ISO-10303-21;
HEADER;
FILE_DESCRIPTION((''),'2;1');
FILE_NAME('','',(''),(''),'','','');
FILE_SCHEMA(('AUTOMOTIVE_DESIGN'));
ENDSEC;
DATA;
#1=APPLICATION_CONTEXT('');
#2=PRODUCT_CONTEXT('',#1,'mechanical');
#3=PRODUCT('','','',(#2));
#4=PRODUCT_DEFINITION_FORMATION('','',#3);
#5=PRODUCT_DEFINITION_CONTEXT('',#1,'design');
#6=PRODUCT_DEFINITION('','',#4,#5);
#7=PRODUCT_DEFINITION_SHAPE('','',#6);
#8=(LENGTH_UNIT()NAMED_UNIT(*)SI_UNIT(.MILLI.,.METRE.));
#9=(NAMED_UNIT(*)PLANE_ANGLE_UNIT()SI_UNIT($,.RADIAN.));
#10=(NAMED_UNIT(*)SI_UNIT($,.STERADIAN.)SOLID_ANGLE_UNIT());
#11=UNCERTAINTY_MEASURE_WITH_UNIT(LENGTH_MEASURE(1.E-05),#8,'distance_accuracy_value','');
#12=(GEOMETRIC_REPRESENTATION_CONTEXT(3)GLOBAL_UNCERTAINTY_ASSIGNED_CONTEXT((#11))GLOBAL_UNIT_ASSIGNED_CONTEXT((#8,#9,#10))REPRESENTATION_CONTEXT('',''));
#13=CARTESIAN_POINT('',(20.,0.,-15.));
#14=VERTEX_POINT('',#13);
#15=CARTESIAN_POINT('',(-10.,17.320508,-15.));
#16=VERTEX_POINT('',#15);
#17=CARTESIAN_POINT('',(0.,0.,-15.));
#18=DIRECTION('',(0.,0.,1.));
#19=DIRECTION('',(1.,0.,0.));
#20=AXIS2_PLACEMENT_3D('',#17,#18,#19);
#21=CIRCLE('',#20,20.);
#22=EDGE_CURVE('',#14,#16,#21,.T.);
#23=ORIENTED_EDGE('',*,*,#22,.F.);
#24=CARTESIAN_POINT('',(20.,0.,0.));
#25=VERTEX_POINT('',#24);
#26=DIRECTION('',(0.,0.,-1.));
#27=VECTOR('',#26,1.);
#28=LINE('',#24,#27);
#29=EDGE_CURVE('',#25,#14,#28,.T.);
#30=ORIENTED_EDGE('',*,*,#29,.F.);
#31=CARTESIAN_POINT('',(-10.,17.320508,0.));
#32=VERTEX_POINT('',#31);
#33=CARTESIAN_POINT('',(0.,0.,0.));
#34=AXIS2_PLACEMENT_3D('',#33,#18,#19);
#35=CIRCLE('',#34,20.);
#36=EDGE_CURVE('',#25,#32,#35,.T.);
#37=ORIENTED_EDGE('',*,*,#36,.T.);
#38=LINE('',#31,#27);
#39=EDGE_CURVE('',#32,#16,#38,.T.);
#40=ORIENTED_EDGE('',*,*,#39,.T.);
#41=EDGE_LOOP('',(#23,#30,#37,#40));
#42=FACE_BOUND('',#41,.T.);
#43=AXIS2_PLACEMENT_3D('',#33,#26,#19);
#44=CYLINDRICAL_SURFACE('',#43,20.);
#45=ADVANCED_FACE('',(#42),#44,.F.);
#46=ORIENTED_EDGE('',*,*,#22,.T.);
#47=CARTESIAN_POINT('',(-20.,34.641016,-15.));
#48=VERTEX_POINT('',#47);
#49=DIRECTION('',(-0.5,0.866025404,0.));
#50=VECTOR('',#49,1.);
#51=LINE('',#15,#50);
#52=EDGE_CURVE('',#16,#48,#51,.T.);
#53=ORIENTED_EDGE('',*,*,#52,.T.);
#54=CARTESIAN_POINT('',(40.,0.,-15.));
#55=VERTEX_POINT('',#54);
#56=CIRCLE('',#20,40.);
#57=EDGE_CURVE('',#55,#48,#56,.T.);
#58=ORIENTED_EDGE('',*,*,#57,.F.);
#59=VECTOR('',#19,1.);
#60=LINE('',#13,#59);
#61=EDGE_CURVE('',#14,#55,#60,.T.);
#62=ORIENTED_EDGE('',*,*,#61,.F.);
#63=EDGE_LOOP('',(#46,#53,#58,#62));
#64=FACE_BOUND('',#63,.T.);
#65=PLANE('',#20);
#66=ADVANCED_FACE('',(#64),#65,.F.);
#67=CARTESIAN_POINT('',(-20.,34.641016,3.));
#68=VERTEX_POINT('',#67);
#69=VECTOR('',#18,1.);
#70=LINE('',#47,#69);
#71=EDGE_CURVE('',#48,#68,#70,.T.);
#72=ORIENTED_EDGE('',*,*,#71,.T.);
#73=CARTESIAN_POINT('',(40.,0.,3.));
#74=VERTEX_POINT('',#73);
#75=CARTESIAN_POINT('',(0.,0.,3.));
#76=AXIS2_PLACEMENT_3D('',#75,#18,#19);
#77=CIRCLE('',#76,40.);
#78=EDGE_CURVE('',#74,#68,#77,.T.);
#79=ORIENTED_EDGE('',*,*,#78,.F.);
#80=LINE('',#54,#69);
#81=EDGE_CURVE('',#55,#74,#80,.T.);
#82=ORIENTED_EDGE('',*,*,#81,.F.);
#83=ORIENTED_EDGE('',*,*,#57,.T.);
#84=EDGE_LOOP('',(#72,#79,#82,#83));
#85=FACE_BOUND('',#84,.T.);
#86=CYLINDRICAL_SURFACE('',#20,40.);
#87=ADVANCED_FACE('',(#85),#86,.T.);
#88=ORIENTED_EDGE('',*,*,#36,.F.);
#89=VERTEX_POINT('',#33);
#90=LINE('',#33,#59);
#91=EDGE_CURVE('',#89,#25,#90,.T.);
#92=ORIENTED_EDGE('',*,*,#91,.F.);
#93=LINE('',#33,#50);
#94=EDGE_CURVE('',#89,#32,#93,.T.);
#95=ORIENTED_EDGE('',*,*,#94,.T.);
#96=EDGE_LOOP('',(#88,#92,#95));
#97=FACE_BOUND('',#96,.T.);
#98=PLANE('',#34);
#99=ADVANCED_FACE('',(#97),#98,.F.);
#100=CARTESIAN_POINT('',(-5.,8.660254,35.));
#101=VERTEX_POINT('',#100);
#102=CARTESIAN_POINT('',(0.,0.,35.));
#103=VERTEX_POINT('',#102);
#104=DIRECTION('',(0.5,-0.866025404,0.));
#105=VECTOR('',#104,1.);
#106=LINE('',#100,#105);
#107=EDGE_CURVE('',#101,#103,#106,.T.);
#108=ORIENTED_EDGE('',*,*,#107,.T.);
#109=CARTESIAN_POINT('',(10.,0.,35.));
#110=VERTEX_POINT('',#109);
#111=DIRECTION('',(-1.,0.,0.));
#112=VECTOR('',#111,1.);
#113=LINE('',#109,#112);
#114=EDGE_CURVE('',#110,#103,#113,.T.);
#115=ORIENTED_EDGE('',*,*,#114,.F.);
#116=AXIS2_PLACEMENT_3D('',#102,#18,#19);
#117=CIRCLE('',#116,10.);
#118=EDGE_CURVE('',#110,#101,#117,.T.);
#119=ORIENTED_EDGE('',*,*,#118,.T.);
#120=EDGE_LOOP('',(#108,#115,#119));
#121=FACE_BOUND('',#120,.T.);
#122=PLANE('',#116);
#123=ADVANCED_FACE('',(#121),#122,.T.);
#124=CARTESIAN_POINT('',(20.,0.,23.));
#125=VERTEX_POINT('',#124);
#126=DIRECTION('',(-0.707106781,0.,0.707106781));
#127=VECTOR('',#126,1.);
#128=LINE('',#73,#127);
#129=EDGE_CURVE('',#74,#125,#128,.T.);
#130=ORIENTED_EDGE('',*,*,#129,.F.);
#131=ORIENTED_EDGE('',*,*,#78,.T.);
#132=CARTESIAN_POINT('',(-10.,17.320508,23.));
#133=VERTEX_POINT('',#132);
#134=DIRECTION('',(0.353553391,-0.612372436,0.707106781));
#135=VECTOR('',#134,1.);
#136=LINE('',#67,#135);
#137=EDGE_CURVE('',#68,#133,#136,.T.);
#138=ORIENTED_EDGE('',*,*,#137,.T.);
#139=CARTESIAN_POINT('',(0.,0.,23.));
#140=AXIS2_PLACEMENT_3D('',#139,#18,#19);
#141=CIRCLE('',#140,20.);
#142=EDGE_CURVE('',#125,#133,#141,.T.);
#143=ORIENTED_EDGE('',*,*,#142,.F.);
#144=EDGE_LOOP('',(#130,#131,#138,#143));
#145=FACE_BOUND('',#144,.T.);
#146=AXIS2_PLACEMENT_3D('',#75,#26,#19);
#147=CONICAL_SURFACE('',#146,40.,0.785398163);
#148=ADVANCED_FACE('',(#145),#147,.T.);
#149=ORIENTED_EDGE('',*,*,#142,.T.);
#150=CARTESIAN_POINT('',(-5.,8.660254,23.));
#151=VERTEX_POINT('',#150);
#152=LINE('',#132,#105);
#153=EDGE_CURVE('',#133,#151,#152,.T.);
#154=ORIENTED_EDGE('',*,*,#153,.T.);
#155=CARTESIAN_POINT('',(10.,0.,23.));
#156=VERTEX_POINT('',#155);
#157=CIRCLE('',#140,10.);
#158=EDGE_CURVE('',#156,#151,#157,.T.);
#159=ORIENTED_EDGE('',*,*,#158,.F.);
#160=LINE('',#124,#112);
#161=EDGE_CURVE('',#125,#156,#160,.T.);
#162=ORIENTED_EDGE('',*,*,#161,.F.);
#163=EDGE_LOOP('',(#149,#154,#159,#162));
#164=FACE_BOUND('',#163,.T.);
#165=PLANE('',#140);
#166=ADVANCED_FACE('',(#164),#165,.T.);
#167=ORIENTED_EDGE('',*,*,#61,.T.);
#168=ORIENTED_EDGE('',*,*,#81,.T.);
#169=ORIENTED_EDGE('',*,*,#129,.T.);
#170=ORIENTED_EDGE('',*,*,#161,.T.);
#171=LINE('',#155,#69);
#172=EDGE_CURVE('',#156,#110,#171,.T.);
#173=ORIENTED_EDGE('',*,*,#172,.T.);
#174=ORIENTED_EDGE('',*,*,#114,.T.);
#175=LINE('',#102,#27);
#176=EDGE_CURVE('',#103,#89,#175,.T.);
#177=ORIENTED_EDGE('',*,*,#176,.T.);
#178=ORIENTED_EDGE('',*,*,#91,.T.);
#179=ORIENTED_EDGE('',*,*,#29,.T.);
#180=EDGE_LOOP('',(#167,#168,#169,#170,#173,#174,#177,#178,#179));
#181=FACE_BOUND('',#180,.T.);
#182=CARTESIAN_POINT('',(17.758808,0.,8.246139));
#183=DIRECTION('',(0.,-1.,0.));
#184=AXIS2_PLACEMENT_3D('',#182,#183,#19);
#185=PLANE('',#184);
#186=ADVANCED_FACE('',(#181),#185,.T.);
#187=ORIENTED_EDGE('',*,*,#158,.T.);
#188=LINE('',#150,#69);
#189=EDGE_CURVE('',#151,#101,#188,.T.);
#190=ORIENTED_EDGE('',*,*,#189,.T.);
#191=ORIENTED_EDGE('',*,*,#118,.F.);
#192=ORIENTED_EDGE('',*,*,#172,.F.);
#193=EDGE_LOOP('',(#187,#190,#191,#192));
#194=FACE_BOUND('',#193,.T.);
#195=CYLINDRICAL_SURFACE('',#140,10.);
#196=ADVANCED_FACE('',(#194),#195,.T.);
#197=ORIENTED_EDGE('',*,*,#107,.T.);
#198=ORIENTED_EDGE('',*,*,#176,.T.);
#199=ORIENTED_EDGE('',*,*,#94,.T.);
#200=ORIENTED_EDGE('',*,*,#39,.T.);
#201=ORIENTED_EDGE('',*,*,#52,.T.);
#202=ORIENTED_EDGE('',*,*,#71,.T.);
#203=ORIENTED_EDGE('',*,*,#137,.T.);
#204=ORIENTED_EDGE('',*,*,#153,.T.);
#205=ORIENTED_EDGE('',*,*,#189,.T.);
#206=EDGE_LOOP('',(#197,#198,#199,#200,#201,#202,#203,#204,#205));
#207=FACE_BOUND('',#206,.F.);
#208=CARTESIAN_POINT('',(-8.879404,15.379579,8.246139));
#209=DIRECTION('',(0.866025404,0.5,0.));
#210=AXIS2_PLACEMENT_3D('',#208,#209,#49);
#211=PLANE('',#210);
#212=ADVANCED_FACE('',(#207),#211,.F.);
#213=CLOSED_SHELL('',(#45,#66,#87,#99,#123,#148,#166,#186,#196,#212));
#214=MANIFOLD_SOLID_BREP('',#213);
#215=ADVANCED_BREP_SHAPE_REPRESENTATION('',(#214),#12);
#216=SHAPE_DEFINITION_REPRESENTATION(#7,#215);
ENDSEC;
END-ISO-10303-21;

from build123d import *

# Parameters (mm, degrees)
F1_ANGLE = 120


with BuildPart() as f1:
    # F0 (on Front) → F1 (revolve)
    with BuildSketch(Plane.XZ):
        Polygon((10, 35), (0, 35), (0, 0), (20, 0), (20, -15), (40, -15), (40, 3), (20, 23), (10, 23), align=None)
    revolve(axis=Axis((0, 0, 17.5), (0, 0, 1)), revolution_arc=F1_ANGLE)


solid = f1.part
